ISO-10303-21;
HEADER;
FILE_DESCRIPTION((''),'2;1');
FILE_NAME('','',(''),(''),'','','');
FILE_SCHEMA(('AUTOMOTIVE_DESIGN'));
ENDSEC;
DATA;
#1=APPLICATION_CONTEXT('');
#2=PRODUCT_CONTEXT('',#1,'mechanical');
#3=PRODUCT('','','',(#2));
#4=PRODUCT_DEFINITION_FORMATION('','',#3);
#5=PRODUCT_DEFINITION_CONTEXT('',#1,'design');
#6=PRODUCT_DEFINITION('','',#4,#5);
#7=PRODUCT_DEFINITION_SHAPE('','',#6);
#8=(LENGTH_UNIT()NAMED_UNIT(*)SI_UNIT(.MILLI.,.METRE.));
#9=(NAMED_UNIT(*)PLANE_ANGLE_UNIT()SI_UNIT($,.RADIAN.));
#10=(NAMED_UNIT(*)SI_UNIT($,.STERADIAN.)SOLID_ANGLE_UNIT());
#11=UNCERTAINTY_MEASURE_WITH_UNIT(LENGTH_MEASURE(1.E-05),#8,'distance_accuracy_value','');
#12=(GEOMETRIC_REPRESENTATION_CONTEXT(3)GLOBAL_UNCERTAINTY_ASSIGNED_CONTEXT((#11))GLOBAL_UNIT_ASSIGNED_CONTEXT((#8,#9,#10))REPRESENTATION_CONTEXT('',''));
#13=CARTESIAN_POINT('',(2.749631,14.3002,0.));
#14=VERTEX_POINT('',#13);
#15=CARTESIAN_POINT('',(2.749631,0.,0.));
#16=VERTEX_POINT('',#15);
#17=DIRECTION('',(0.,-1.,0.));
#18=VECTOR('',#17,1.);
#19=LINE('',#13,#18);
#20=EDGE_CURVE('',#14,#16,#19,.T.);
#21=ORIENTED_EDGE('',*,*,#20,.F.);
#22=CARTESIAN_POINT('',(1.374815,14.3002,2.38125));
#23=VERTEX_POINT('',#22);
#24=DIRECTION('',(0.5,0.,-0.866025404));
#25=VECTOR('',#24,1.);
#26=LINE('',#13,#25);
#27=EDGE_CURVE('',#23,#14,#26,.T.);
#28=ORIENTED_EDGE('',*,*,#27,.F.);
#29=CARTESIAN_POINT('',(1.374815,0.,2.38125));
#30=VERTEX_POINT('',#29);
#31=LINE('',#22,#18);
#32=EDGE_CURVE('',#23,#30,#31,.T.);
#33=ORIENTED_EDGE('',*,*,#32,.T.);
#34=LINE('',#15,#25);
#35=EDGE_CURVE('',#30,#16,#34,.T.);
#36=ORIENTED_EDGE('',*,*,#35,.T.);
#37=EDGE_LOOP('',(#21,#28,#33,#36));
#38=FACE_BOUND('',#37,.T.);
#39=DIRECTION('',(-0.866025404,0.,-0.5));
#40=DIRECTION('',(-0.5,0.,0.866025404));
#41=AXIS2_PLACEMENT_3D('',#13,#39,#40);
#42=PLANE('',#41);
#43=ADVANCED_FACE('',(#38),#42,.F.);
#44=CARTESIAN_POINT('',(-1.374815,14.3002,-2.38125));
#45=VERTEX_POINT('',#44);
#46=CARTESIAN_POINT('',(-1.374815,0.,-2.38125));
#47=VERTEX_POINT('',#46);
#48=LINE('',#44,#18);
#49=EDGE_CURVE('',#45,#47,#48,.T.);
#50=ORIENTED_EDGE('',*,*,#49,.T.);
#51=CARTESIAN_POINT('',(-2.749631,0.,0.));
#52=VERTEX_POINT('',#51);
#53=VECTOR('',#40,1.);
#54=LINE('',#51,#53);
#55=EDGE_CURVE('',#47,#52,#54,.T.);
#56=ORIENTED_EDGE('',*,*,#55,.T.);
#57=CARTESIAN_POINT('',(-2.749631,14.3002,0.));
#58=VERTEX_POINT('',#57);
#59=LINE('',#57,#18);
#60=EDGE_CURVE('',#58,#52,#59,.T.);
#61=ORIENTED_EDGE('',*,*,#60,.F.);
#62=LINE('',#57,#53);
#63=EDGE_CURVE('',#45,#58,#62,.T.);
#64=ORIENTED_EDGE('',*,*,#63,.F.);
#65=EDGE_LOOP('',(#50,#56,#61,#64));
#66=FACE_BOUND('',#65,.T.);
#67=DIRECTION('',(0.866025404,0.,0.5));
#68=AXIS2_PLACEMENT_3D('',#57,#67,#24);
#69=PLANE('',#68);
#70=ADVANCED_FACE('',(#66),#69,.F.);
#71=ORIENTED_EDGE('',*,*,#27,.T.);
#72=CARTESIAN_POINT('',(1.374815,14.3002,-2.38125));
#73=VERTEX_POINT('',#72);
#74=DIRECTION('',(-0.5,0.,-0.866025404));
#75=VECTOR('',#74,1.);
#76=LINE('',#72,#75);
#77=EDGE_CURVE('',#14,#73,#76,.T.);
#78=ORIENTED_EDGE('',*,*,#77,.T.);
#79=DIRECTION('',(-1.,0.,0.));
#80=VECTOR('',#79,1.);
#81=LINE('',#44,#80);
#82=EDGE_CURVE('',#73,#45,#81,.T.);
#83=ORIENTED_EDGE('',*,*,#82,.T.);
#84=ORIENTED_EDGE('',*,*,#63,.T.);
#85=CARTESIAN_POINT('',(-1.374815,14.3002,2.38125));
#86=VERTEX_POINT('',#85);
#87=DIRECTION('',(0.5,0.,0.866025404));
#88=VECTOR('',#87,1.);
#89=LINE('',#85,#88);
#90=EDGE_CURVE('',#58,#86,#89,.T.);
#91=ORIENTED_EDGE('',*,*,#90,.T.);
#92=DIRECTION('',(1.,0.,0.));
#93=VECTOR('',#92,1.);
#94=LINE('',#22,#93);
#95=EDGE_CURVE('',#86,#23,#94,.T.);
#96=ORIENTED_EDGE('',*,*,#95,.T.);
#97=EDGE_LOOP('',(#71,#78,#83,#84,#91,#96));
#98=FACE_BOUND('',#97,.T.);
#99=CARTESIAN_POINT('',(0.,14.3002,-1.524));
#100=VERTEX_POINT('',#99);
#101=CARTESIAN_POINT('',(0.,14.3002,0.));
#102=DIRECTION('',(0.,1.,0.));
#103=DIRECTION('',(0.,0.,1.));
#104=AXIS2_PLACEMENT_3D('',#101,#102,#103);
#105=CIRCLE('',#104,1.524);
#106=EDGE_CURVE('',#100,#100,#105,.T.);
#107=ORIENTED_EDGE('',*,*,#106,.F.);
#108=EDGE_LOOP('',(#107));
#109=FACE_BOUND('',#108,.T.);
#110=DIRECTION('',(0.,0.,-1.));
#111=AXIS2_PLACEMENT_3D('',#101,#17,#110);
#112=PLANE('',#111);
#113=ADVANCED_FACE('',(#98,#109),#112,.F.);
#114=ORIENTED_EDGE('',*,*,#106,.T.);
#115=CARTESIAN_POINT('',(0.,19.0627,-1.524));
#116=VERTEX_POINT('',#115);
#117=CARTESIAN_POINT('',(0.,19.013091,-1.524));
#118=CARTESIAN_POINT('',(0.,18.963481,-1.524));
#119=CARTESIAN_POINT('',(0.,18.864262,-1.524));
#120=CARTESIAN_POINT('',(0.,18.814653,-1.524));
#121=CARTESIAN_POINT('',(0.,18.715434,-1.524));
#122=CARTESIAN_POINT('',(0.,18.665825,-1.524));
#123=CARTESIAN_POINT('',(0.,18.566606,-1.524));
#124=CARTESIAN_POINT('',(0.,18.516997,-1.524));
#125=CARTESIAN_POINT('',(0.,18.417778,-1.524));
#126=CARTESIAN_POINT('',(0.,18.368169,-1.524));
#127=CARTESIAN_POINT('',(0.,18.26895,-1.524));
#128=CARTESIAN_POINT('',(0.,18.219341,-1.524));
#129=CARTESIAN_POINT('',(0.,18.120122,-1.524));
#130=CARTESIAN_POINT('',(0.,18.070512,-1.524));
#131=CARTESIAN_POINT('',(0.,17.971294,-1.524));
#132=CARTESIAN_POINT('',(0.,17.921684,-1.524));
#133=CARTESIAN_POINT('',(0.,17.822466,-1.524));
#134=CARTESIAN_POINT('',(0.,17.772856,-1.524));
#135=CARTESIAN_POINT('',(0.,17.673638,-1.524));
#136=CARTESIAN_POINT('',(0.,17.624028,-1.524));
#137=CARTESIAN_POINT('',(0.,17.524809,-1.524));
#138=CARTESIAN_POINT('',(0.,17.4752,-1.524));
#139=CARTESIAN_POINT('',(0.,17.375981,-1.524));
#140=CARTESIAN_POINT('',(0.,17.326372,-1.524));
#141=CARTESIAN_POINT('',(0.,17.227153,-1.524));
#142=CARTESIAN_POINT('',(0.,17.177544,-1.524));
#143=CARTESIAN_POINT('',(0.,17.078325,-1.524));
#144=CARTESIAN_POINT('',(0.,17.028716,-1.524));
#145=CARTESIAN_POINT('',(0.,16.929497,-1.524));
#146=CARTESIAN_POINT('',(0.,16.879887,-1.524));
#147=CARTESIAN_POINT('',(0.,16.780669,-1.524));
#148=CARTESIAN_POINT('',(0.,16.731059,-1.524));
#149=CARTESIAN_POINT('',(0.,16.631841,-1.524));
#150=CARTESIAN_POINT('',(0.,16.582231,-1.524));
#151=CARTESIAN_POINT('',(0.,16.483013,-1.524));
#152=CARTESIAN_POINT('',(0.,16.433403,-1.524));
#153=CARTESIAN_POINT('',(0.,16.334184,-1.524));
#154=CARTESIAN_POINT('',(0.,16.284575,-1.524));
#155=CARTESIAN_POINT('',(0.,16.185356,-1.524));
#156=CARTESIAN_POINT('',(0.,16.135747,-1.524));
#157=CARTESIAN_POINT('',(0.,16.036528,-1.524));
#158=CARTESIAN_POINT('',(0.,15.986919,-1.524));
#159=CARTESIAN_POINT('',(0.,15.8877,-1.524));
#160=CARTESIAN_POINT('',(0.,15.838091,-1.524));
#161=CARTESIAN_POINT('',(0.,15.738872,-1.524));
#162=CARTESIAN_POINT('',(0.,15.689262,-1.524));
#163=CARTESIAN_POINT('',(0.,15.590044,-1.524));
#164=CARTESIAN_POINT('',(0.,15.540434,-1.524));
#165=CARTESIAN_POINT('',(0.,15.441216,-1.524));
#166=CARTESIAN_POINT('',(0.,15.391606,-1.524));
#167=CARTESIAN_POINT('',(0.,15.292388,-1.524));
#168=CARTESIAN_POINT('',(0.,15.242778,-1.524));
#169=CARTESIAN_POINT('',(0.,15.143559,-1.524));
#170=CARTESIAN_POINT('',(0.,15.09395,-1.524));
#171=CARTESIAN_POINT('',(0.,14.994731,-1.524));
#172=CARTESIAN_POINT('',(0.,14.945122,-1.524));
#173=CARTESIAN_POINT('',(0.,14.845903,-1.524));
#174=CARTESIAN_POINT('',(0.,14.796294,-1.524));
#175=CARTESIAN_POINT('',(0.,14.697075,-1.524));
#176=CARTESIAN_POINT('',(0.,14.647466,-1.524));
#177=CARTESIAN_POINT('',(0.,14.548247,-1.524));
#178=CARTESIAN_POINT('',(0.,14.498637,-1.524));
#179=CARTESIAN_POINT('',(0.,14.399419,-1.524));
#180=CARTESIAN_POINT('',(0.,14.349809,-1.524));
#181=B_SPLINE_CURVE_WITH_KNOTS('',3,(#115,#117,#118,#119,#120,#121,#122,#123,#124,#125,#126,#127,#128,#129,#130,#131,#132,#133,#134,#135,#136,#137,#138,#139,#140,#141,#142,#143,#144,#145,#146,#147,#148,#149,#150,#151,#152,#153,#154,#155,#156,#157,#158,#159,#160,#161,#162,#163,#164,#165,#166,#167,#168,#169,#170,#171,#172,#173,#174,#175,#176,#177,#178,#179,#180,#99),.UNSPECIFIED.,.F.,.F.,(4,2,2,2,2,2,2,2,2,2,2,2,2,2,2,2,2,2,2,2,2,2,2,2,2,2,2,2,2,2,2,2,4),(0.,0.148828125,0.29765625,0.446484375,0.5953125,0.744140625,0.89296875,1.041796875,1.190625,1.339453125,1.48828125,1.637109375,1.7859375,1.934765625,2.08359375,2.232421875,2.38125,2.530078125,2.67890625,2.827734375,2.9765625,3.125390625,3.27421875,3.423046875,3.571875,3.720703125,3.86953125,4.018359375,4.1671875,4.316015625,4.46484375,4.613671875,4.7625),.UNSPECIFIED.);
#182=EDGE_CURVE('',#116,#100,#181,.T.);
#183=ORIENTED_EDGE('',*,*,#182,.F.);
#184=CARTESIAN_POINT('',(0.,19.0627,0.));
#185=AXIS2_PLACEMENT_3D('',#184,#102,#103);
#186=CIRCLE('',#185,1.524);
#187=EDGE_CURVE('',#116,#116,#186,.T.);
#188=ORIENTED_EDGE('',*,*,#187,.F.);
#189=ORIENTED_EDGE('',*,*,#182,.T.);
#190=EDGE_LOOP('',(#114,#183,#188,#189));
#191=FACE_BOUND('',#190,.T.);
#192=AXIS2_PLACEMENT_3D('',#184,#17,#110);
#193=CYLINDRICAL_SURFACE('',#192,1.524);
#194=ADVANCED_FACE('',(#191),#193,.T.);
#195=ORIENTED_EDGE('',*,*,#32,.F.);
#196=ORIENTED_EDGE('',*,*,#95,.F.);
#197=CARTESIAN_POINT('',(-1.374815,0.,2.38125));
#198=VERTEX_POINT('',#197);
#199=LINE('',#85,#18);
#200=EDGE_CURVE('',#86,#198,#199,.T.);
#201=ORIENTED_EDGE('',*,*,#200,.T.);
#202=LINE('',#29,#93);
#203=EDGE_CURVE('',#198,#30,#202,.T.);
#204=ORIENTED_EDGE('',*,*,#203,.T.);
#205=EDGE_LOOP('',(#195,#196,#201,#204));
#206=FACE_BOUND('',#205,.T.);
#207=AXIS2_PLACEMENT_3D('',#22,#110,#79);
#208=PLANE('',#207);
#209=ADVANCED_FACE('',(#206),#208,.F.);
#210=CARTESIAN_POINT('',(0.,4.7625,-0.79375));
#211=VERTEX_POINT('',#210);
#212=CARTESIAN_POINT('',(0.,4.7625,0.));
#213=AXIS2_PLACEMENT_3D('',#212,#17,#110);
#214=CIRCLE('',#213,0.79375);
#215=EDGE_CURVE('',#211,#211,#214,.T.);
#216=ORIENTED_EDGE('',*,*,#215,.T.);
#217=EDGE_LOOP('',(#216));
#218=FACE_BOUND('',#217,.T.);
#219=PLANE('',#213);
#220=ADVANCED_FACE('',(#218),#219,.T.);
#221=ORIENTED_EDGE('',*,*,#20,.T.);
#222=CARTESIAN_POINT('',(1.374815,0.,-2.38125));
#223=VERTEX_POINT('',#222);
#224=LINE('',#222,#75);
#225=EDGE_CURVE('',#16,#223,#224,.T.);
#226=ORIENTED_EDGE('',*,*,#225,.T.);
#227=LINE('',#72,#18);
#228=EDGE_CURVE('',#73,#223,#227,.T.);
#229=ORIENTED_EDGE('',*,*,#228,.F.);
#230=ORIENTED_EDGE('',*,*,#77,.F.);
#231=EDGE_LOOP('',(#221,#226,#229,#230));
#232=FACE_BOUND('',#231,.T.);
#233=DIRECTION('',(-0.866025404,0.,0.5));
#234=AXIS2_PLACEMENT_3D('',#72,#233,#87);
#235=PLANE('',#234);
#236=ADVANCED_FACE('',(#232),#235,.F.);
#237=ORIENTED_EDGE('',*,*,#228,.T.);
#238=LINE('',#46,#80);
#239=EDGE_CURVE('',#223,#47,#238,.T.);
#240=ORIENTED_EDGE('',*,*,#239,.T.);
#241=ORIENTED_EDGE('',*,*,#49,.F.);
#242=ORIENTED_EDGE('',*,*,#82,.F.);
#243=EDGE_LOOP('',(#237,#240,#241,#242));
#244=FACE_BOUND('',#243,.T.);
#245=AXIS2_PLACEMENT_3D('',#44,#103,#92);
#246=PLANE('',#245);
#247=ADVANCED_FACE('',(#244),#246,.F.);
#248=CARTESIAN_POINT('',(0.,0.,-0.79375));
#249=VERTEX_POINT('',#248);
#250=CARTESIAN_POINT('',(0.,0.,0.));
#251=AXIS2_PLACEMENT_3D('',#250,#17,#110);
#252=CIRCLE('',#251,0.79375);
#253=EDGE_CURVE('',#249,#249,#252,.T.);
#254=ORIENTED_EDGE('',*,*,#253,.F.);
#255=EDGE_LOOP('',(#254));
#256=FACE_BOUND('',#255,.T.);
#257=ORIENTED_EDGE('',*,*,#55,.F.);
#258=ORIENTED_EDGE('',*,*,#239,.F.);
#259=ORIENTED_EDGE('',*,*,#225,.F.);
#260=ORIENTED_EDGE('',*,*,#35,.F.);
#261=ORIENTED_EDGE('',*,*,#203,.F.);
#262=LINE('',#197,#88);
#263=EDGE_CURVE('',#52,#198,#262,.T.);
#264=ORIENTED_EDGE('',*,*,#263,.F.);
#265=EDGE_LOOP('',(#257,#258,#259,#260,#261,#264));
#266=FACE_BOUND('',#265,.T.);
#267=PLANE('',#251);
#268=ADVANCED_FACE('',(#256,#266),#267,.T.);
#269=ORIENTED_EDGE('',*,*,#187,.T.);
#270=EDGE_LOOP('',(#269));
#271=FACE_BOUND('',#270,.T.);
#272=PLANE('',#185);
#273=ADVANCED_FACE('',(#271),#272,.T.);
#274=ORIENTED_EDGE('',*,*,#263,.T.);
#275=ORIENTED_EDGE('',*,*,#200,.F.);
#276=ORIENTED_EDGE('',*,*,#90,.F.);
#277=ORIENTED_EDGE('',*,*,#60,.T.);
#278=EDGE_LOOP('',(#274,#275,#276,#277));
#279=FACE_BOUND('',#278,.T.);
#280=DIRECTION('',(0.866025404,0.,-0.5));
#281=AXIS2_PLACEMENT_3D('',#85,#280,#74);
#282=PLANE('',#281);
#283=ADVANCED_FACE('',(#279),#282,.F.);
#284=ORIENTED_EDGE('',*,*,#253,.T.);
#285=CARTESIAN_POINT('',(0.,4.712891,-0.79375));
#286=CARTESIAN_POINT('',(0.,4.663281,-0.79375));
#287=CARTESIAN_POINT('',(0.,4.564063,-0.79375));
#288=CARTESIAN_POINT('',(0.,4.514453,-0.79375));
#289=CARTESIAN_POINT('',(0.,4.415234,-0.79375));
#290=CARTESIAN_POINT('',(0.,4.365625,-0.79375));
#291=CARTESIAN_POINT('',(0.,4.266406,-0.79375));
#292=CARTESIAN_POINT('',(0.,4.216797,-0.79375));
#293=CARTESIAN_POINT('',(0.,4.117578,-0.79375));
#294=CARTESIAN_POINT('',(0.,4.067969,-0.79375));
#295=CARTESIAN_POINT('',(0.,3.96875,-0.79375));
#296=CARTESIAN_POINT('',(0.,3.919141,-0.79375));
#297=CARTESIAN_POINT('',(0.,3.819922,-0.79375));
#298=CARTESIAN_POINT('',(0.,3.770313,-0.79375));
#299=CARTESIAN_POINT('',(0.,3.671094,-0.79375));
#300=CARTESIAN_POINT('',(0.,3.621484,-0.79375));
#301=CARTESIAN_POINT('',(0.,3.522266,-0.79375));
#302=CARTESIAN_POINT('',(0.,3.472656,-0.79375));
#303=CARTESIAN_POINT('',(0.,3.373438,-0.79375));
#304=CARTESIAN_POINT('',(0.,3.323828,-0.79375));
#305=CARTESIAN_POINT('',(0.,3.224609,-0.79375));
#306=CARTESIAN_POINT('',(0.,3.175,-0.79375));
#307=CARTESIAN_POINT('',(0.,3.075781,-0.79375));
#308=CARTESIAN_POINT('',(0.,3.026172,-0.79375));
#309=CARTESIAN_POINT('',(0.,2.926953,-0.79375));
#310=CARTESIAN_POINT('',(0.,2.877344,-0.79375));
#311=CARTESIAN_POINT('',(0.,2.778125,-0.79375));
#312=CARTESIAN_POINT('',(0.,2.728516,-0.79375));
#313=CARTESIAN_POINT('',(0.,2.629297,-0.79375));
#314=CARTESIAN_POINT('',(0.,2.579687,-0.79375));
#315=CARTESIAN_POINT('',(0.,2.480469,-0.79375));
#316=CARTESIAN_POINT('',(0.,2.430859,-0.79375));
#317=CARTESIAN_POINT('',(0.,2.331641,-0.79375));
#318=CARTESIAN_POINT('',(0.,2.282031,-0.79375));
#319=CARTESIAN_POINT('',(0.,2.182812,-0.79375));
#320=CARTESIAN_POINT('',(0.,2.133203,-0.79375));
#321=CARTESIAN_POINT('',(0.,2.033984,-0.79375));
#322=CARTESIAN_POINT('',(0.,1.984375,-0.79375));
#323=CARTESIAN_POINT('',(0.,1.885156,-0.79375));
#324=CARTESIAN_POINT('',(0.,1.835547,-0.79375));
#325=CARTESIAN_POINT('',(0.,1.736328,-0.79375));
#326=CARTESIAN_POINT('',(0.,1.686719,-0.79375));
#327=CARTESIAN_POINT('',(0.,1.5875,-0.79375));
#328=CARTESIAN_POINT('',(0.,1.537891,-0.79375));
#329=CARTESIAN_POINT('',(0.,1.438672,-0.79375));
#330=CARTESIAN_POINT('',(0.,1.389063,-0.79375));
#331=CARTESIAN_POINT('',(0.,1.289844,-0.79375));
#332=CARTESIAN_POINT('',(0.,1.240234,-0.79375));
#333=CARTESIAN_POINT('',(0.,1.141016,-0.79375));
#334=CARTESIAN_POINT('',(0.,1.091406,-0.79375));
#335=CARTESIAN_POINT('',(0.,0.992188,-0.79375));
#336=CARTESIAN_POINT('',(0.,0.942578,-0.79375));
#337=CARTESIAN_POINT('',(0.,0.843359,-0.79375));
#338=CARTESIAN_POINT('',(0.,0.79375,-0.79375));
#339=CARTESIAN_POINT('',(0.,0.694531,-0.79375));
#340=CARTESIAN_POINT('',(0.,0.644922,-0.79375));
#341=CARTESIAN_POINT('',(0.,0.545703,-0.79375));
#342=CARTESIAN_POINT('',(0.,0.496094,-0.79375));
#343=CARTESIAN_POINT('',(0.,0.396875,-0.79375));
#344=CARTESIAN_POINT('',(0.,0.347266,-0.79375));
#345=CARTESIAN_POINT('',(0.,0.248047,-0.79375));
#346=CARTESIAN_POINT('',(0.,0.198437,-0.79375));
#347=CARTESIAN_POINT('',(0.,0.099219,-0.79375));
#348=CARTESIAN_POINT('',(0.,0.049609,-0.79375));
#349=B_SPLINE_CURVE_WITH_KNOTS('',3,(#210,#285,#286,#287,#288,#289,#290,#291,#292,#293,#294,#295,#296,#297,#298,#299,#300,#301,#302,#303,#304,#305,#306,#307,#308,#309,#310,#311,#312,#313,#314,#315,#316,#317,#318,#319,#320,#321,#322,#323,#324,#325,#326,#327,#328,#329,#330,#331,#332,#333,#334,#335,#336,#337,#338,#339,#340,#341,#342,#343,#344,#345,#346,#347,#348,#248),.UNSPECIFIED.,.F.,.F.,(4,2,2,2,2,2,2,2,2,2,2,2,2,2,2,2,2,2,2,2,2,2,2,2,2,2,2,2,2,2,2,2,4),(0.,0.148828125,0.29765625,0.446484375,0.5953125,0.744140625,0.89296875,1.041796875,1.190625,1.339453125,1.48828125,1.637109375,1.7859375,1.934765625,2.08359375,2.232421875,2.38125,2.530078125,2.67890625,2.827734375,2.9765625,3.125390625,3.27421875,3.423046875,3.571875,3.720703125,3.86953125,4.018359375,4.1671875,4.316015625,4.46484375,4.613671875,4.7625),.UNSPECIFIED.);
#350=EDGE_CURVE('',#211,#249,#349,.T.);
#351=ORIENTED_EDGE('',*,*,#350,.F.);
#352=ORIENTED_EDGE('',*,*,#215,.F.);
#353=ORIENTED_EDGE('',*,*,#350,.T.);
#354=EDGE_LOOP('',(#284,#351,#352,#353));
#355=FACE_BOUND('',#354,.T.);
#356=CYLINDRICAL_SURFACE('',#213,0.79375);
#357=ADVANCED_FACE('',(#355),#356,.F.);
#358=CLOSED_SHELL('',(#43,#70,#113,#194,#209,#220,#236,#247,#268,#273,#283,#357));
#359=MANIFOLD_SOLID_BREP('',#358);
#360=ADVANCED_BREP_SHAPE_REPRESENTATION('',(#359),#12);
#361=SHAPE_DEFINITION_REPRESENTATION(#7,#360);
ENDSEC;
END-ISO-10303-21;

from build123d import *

# Parameters (mm, degrees)
BOSS_EXTRUDE1_DEPTH = 14.3002
SKETCH2_R           = 1.524
BOSS_EXTRUDE2_DEPTH = 4.7625
SKETCH3_R           = 0.79375
CUT_EXTRUDE1_DEPTH  = 4.7625


with BuildPart() as part:
    # Sketch1 → Boss-Extrude1 (new body)
    with BuildSketch(Plane(origin=(0, 0, 0), x_dir=(1, 0, 0), z_dir=(0, 1, 0))):
        Polygon((-1.374815329, 2.38125), (1.374815329, 2.38125), (2.749630657, 0), (1.374815329, -2.38125), (-1.374815329, -2.38125), (-2.749630657, 0), align=None)
    extrude(amount=BOSS_EXTRUDE1_DEPTH)

    # Sketch2 → Boss-Extrude2 (add)
    with BuildSketch(Plane(origin=(0, 14.3002, 0), x_dir=(1, 0, 0), z_dir=(0, 1, 0))):
        with Locations(Location((0, 0, 0), (0, 0, 90))):
            Circle(SKETCH2_R)
    extrude(amount=BOSS_EXTRUDE2_DEPTH)

    # Sketch3 → Cut-Extrude1 (cut)
    with BuildSketch(Plane.XZ):
        with Locations(Location((0, 0, 0), (0, 0, 270))):
            Circle(SKETCH3_R)
    extrude(amount=-CUT_EXTRUDE1_DEPTH, mode=Mode.SUBTRACT)


solid = part.part
